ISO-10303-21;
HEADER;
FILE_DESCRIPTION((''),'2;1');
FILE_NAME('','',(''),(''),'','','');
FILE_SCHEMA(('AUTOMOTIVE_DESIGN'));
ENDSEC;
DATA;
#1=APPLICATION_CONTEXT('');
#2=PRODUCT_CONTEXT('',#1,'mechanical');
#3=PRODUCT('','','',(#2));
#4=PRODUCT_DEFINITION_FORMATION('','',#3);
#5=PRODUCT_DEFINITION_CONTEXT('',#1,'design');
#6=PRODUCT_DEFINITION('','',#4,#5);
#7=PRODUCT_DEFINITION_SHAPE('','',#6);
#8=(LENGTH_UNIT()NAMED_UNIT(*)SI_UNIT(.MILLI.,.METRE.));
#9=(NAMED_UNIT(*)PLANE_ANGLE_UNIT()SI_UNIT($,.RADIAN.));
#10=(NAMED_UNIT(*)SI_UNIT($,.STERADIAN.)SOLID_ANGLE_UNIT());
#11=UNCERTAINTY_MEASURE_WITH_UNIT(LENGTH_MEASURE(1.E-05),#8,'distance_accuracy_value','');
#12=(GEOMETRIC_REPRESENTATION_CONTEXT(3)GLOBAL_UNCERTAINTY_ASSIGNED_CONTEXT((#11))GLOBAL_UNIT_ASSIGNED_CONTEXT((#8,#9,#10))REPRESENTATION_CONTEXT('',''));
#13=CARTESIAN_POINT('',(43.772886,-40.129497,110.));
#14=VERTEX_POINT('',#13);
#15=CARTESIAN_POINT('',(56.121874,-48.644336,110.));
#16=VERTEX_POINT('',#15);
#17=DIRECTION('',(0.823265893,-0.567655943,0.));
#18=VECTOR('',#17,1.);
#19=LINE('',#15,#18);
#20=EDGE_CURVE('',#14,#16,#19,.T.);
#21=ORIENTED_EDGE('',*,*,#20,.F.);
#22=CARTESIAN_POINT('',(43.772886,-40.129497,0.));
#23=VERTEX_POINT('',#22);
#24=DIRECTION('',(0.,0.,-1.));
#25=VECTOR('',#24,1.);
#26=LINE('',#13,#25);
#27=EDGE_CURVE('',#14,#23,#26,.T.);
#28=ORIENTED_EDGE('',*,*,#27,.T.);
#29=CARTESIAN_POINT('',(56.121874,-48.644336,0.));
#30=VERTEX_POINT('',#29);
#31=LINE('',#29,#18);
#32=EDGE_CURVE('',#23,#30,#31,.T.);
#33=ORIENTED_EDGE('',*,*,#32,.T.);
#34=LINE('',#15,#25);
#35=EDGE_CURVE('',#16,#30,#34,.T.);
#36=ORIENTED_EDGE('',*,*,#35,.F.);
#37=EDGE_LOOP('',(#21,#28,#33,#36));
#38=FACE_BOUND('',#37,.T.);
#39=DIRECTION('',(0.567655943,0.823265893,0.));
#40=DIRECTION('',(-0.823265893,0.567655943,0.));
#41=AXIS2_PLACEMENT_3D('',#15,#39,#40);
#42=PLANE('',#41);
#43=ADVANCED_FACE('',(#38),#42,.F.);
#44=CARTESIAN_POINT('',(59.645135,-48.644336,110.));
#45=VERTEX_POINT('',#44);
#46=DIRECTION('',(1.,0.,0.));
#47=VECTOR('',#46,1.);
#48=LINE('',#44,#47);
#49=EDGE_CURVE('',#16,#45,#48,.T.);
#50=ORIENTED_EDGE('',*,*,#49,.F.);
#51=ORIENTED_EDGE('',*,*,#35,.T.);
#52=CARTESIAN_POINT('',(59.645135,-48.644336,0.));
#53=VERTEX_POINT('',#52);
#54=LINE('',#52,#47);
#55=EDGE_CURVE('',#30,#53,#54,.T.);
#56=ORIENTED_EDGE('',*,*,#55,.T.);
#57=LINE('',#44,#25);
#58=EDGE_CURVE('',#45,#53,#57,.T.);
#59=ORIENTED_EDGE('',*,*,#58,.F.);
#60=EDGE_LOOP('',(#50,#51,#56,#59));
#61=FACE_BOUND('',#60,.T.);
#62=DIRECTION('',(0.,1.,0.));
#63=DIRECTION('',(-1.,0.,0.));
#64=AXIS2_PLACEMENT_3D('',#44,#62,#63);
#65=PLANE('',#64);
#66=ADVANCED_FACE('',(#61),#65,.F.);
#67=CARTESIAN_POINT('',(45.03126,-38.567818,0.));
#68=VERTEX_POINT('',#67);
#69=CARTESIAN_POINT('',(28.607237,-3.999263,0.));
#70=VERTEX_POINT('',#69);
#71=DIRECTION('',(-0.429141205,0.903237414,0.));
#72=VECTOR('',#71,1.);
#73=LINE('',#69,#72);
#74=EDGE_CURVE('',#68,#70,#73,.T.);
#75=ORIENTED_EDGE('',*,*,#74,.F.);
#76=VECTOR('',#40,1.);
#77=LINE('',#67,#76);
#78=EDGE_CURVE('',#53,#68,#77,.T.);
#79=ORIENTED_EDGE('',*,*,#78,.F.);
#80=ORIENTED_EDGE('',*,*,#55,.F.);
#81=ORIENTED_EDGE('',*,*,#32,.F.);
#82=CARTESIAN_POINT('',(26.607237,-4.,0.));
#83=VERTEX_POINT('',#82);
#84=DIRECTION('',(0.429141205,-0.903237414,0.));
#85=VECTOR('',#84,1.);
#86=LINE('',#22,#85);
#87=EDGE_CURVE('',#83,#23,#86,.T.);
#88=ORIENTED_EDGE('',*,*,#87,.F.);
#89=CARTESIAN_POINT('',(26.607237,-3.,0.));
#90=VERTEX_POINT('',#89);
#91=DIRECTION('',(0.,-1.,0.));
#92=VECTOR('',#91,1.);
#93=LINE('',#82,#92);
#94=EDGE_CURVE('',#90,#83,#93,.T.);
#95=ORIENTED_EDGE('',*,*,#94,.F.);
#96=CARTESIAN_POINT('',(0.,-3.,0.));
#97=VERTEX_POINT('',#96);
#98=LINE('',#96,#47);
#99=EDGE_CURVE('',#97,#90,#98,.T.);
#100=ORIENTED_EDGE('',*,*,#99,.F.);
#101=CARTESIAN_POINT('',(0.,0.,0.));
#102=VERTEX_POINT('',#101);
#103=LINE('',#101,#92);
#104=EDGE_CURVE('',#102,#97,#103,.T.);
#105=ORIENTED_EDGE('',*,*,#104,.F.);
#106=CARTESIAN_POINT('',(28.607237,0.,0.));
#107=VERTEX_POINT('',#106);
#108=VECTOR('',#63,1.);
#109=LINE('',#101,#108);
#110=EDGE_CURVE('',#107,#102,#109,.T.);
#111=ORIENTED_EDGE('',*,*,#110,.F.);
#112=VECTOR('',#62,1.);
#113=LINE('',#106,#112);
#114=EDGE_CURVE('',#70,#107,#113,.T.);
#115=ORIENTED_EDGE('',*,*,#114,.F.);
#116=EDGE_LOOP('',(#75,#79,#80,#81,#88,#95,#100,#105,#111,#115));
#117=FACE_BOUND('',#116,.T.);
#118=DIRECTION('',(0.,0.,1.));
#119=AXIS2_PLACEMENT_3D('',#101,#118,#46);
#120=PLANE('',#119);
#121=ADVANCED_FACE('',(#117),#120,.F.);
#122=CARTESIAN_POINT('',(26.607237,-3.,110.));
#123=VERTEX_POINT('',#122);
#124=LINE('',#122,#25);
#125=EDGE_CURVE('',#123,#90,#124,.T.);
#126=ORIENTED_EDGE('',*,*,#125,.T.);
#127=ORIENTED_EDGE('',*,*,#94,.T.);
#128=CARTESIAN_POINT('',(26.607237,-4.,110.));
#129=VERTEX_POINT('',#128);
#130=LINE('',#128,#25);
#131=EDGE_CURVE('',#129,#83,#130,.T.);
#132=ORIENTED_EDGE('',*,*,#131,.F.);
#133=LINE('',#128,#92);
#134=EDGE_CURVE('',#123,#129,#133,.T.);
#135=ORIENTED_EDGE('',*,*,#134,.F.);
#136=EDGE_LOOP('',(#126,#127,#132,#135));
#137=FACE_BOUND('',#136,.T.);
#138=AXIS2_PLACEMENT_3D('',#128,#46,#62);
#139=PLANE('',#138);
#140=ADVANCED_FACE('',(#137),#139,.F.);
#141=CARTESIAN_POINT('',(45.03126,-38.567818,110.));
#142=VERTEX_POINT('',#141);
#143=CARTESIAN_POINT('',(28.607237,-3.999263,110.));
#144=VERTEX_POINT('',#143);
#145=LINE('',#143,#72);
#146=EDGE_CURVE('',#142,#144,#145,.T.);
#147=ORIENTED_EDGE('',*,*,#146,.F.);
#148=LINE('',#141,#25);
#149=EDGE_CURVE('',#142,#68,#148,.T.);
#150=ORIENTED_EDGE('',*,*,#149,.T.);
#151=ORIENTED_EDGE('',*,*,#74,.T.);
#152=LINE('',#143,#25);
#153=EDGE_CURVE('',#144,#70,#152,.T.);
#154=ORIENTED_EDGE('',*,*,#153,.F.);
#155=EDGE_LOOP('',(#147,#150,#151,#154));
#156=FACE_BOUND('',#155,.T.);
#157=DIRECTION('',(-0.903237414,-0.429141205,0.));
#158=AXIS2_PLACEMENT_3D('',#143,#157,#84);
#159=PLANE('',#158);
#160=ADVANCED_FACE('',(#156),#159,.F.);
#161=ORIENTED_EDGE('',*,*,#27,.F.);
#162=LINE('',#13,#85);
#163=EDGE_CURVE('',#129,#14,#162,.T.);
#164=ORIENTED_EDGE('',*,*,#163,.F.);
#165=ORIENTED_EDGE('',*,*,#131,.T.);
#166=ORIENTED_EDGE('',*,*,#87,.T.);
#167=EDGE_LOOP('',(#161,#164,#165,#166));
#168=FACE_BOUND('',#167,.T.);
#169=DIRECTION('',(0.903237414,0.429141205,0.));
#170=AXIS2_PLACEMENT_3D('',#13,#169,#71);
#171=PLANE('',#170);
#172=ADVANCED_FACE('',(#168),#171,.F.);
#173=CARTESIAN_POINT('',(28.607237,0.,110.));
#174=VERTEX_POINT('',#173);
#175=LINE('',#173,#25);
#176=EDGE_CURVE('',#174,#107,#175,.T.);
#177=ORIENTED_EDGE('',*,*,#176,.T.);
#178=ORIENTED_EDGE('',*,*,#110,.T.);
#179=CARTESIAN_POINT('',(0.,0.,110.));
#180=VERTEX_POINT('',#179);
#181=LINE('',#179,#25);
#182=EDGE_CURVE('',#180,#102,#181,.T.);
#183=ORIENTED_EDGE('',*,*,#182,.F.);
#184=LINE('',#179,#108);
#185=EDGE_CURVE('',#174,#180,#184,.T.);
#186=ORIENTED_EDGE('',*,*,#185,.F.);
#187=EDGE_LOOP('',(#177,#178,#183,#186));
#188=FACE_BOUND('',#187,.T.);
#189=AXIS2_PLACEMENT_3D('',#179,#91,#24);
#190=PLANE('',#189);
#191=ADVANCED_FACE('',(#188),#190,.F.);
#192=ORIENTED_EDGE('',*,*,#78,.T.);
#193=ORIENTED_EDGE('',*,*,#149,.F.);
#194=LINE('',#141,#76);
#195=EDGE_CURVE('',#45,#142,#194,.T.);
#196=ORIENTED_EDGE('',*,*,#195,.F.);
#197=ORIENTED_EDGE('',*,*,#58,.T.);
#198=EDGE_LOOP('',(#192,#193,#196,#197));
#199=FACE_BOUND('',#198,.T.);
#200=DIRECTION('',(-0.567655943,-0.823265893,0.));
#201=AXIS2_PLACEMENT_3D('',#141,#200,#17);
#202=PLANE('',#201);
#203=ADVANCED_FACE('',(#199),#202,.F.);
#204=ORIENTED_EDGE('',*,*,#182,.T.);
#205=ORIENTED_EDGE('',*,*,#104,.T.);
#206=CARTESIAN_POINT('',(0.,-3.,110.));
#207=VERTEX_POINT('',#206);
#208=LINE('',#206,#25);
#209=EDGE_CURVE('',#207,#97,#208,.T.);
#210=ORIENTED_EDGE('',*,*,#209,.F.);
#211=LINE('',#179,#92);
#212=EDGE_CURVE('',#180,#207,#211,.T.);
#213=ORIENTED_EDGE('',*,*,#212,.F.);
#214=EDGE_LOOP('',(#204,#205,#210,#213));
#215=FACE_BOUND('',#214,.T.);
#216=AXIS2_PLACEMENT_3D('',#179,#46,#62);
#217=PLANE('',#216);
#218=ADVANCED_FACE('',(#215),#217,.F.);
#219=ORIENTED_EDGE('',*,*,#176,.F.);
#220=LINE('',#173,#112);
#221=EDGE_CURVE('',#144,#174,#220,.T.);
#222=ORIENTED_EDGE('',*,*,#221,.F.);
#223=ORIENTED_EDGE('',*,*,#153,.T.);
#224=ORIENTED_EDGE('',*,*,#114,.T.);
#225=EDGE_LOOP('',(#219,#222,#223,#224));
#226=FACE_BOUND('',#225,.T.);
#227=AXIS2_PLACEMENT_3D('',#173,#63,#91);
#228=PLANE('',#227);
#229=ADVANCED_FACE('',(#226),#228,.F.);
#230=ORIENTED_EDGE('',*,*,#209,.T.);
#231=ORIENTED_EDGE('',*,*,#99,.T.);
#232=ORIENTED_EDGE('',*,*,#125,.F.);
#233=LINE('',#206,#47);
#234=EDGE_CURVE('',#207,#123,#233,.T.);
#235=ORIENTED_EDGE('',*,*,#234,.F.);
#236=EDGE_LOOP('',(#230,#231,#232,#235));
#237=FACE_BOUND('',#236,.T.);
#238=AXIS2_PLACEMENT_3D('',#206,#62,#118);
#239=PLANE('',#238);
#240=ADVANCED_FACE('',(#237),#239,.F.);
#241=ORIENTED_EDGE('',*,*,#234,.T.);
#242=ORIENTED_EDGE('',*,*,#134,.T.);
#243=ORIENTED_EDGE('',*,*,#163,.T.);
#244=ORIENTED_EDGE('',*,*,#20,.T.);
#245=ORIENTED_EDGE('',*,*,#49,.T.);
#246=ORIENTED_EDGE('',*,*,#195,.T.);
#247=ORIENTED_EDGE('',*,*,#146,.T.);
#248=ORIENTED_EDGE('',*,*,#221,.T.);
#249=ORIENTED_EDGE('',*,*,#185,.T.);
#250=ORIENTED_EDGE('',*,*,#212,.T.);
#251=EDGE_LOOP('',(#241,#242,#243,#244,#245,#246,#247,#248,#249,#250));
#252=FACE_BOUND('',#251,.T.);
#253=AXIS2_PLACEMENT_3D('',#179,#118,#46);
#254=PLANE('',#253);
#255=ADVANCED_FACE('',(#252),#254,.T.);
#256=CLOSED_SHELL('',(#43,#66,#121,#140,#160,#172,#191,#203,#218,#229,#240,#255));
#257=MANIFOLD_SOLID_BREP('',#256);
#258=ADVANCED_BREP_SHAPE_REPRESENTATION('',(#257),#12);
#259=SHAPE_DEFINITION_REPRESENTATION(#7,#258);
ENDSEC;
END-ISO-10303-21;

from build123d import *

# Parameters (mm, degrees)
BOSS_EXTRUDE1_DEPTH = 110


with BuildPart() as part:
    # Sketch1 → Boss-Extrude1 (new body)
    with BuildSketch(Plane.XY):
        Polygon((0, 0), (28.60723722, 0), (28.60723722, -3.999262629), (45.03125979, -38.567818362), (59.645134873, -48.644335709), (56.121873956, -48.644335709), (43.772885567, -40.129496557), (26.607237356, -4), (26.607237356, -3), (0, -3), align=None)
    extrude(amount=BOSS_EXTRUDE1_DEPTH)


solid = part.part
